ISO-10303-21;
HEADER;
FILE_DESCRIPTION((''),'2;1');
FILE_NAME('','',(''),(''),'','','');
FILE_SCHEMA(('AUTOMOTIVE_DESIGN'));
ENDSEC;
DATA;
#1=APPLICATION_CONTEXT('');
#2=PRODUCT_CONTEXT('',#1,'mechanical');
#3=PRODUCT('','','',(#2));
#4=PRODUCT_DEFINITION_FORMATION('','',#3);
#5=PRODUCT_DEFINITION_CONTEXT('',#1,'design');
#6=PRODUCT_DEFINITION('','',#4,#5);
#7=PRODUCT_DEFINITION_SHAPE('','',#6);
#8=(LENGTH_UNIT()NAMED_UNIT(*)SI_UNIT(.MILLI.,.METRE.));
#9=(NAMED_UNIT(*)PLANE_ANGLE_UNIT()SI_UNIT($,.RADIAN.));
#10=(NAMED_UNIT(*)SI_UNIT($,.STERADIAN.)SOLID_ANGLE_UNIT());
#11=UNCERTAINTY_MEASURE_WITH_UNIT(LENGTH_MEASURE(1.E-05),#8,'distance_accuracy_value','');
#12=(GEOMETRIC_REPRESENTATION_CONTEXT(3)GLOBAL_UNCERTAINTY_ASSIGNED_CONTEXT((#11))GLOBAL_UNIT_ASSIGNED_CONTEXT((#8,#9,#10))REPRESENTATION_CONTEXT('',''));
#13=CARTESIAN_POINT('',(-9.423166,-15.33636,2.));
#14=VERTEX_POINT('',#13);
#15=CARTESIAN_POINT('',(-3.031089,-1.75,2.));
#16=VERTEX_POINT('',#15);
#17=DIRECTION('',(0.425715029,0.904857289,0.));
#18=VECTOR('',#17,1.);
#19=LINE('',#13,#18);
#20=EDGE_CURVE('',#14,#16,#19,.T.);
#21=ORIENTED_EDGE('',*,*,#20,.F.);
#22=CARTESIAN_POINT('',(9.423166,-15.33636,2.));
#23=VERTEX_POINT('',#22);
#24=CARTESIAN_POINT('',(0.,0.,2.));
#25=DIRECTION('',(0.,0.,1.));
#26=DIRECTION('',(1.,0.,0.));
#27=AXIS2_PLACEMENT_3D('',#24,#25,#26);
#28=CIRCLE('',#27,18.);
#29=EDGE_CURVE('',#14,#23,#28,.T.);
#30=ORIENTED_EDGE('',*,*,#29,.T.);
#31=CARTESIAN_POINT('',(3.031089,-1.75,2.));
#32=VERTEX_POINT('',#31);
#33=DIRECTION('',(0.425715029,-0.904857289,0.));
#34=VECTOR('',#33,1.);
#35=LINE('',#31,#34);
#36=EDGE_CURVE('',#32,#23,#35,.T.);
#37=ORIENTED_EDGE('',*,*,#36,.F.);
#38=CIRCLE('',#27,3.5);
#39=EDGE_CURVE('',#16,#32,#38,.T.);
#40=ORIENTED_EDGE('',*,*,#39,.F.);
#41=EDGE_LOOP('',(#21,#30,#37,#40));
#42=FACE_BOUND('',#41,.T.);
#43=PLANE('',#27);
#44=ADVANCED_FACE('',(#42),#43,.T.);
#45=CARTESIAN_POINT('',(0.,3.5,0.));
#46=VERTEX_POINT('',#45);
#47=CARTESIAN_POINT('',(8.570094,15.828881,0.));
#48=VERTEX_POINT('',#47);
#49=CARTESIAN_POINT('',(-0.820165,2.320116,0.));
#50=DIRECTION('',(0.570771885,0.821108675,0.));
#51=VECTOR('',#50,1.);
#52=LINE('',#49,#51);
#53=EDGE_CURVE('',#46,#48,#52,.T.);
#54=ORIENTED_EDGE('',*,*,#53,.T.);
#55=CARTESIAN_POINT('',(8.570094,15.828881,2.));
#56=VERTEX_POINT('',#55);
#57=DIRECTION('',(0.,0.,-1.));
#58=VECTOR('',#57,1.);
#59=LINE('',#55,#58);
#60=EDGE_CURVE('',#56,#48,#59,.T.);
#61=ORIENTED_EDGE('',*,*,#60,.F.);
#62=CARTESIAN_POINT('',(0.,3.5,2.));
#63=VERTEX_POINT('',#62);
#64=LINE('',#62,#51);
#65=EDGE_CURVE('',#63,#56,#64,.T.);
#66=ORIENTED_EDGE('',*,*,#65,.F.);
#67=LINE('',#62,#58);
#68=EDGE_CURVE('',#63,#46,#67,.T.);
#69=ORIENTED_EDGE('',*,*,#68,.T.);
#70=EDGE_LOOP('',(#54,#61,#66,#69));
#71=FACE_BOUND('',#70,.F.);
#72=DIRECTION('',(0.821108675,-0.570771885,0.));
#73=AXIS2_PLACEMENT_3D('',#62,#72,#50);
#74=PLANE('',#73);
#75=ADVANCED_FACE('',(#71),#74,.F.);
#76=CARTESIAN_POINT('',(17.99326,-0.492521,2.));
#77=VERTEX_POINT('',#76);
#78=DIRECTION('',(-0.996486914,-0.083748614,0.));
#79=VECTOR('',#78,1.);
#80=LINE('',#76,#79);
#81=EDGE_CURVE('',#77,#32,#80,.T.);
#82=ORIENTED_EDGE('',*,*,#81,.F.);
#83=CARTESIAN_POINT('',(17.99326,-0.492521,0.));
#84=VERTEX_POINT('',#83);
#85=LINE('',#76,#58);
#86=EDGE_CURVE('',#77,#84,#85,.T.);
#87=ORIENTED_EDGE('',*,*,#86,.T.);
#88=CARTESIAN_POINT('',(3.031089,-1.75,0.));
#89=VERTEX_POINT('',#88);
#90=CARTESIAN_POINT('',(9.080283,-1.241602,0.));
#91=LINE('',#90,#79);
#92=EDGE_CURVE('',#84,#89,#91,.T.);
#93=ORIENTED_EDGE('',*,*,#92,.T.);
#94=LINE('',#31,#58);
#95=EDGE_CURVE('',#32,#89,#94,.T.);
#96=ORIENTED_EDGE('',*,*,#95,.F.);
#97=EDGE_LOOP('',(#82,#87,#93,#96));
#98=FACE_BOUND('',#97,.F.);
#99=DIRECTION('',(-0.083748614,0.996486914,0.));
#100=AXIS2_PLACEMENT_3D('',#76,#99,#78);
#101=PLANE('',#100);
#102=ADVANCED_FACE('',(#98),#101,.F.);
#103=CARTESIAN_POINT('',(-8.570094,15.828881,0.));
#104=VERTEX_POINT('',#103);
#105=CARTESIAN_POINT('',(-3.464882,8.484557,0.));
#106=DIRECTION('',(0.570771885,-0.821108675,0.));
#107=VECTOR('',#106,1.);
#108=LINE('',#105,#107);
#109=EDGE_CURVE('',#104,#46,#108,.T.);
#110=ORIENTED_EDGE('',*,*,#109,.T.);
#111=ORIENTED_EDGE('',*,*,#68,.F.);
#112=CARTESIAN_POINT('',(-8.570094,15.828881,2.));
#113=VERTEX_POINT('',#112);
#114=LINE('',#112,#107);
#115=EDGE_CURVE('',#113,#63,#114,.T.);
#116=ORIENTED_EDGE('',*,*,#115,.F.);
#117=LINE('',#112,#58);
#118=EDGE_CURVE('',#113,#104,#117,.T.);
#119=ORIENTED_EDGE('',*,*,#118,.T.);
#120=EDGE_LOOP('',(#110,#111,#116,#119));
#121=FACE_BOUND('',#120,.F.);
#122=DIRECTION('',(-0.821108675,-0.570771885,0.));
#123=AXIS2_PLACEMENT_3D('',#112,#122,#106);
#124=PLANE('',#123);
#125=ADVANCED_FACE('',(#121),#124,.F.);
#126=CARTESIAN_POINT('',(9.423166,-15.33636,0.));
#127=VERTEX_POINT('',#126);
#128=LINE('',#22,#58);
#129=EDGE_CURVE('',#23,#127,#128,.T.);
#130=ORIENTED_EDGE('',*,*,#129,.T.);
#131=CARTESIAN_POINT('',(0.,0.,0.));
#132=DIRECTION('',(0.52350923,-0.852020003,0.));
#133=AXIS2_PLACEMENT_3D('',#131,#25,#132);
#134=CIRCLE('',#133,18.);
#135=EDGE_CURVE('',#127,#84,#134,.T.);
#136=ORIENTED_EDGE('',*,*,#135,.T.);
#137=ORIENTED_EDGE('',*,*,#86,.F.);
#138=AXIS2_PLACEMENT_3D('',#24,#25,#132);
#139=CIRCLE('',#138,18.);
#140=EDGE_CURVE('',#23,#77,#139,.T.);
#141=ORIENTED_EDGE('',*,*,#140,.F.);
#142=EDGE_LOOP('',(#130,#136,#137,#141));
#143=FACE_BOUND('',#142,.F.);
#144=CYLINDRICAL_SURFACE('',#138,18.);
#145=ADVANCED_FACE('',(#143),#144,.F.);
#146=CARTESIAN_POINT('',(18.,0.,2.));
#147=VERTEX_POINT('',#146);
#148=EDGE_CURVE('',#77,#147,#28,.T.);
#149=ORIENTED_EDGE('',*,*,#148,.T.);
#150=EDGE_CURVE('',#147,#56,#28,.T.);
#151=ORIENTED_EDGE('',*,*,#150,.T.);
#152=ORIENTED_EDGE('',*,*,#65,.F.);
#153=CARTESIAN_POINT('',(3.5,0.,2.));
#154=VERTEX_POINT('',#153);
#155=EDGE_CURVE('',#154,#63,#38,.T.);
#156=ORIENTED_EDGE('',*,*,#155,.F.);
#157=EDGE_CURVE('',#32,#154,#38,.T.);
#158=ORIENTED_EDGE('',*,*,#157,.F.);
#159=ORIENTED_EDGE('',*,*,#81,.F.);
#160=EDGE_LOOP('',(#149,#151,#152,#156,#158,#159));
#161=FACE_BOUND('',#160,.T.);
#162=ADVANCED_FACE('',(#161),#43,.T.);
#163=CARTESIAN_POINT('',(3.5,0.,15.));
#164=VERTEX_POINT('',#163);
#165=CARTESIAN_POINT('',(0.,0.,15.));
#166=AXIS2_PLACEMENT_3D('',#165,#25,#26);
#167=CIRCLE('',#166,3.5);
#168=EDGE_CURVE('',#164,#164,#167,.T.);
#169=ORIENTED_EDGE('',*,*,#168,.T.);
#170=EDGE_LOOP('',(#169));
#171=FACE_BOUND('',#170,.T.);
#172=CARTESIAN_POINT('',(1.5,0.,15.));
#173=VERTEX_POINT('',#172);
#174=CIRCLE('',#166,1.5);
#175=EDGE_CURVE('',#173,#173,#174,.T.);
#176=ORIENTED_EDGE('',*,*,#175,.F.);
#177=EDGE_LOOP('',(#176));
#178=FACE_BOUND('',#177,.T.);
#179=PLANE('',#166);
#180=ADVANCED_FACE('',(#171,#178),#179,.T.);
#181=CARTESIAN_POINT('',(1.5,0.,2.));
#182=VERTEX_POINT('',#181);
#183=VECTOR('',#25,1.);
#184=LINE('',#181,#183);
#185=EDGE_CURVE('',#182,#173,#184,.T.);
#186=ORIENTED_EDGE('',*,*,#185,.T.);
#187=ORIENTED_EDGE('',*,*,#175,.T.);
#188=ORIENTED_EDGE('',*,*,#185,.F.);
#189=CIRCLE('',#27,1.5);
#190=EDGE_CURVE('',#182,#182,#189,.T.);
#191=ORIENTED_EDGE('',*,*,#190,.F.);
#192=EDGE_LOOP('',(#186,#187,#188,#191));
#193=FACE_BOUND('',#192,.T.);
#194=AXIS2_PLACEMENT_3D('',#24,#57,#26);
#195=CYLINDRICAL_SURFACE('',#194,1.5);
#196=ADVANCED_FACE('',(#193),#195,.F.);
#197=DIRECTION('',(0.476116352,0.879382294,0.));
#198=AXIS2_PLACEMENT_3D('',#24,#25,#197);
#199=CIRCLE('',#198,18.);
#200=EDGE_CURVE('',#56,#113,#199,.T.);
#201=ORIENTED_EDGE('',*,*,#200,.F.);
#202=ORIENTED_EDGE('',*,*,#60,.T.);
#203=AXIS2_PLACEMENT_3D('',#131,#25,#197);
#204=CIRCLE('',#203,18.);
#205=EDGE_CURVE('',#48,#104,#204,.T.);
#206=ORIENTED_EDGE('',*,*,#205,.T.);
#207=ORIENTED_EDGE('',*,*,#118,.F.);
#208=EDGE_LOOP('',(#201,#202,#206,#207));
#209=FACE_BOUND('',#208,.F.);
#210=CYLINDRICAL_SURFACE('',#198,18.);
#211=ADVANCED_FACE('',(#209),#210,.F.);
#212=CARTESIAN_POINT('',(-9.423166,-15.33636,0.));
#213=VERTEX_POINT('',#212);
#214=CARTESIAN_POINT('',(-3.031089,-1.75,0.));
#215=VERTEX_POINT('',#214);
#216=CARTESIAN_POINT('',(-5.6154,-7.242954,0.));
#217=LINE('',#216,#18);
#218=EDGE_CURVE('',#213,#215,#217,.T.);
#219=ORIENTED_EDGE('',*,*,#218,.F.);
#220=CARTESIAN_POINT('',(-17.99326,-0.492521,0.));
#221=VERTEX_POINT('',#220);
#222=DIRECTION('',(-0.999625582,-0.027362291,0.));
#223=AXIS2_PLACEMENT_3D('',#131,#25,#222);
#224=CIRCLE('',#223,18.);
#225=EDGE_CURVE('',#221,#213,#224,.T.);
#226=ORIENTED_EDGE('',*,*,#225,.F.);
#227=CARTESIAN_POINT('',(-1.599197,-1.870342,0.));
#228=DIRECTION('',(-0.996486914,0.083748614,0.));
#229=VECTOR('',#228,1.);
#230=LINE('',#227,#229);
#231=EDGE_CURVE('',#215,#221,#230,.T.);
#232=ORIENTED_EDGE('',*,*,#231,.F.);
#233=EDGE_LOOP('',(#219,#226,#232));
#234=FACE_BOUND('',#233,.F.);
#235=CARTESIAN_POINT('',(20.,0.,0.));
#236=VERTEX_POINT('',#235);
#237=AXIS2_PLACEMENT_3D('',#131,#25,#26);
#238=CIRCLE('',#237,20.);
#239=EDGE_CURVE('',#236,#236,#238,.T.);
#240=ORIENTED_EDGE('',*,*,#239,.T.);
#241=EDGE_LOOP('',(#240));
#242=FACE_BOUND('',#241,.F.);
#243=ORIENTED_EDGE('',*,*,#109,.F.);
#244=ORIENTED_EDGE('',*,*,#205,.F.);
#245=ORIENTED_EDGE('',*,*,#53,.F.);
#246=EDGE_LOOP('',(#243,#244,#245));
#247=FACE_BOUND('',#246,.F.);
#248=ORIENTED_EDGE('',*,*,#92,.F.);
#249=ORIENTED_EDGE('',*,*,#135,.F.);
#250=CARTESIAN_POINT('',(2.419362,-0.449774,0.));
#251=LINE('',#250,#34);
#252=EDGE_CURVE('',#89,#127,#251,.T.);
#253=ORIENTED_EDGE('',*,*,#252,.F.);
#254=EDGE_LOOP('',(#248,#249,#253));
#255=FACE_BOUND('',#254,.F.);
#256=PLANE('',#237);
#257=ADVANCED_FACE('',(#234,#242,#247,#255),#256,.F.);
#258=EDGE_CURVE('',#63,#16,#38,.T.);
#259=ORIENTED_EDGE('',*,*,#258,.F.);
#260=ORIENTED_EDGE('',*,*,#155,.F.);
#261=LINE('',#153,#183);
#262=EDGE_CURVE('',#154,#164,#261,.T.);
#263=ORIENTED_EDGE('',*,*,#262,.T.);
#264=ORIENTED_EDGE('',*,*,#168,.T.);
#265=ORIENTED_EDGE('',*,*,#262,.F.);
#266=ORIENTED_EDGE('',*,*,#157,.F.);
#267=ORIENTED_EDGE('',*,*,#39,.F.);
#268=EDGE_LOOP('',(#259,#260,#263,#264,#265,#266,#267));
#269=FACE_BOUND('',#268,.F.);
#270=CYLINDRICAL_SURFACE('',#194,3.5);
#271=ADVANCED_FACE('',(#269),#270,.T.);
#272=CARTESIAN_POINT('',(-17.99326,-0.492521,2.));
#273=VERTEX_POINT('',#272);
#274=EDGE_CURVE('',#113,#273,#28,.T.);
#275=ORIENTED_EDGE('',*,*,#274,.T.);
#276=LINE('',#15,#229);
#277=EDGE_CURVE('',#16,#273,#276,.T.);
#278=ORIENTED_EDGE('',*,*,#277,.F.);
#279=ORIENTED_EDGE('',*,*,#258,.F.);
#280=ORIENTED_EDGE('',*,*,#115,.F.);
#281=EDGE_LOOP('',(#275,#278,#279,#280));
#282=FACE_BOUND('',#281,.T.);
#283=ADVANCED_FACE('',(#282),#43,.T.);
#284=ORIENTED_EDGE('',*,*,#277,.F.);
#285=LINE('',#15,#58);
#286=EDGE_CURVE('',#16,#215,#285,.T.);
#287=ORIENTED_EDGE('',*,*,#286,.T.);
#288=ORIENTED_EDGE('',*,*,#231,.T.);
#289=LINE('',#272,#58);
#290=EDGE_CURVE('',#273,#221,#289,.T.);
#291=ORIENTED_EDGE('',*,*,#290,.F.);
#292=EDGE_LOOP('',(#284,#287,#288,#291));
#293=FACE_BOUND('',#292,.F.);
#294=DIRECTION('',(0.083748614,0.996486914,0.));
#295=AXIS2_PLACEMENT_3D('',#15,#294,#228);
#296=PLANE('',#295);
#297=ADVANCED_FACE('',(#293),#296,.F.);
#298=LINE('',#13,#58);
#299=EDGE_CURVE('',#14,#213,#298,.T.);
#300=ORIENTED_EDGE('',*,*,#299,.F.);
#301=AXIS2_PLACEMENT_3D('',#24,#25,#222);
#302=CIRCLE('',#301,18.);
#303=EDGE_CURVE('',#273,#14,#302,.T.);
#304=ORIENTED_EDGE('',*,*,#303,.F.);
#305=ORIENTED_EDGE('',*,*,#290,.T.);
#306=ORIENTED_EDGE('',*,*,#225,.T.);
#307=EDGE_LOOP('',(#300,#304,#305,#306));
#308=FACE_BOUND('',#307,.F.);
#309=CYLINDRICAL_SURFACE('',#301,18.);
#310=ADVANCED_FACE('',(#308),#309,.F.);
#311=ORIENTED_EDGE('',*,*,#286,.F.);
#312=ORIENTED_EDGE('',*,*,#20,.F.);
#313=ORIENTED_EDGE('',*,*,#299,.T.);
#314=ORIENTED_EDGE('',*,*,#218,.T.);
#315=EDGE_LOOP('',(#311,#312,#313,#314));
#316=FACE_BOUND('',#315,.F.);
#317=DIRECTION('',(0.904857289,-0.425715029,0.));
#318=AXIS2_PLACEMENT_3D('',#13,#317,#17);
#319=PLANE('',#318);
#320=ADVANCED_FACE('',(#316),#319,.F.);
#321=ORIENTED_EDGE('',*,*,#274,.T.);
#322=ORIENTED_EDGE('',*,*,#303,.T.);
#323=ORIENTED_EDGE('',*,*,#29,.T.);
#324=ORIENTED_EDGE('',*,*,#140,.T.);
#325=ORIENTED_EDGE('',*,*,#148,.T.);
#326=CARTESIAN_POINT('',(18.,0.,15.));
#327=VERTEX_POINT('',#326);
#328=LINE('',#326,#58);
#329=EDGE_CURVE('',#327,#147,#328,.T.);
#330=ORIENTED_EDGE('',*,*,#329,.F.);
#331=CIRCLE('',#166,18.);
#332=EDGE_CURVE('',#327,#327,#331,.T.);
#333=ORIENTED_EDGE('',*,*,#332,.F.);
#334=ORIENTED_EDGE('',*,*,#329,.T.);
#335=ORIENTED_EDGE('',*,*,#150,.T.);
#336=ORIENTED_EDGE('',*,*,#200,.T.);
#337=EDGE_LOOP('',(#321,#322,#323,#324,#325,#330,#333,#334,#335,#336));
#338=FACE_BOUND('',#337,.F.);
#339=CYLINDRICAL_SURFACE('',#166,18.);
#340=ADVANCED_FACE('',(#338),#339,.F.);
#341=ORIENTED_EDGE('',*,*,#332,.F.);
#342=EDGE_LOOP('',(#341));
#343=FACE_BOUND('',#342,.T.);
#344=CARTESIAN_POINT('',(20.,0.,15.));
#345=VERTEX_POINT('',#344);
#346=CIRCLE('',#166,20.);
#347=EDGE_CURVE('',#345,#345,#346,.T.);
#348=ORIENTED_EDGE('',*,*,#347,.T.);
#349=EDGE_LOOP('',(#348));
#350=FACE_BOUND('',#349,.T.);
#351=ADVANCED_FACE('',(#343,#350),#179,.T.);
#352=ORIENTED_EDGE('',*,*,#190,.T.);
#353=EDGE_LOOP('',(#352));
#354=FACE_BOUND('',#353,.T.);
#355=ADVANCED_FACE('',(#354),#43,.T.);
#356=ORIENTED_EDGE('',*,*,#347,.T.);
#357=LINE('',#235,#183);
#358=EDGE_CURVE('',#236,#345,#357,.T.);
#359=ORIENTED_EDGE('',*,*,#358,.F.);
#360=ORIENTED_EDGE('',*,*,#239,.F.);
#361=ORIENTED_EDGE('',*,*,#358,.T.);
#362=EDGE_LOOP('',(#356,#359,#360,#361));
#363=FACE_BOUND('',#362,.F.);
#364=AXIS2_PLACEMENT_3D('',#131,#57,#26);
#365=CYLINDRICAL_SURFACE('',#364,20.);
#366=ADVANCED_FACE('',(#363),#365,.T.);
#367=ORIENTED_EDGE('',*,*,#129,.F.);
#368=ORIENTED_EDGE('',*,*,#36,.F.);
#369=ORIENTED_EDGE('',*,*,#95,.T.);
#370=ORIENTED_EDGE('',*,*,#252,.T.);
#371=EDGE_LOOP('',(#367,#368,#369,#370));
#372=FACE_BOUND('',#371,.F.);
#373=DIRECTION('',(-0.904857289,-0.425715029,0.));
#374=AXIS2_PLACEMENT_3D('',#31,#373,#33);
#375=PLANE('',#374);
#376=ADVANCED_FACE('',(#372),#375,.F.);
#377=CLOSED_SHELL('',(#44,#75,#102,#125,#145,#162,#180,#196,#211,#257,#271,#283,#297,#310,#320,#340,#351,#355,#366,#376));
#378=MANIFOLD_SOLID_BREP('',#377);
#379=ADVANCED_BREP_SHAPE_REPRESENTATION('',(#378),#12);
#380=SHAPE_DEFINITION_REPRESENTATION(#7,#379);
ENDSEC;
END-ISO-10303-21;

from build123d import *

# Parameters (mm, degrees)
F0_R     = 20
F1_DEPTH = 15
F2_R     = 18
F3_DEPTH = 13
F4_R     = 3.5
F4_R_2   = 1.5
F5_DEPTH = 13
F7_DEPTH = 100


with BuildPart() as f1:
    # F0 (on Top) → F1 (new body)
    with BuildSketch(Plane.XY):
        Circle(F0_R)
    extrude(amount=F1_DEPTH)

    # F2 (on face) → F3 (cut)
    with BuildSketch(Plane.XY.offset(15)):
        Circle(F2_R)
    extrude(amount=-F3_DEPTH, mode=Mode.SUBTRACT)

    # F4 (on face) → F5 (join)
    with BuildSketch(Plane.XY.offset(2)):
        Circle(F4_R)
        Circle(F4_R_2, mode=Mode.SUBTRACT)
    extrude(amount=F5_DEPTH)

    # F6 (on face) → F7 (cut)
    with BuildSketch(Plane.XY.offset(2)):
        with BuildLine():
            Line((-9.4231661407, -15.3363600598), (-3.0310889132, -1.75))
            Line((-3.0310889132, -1.75), (-17.9932604837, -0.4925212321))
            ThreePointArc((-17.9932604837, -0.4925212321), (-15.5884572681, -9), (-9.4231661407, -15.3363600598))
        make_face()
        with BuildLine():
            Line((-8.570094343, 15.8288812919), (0, 3.5))
            Line((0, 3.5), (8.570094343, 15.8288812919))
            ThreePointArc((8.570094343, 15.8288812919), (0, 18), (-8.570094343, 15.8288812919))
        make_face()
        with BuildLine():
            Line((17.9932604837, -0.4925212321), (3.0310889132, -1.75))
            Line((3.0310889132, -1.75), (9.4231661407, -15.3363600598))
            ThreePointArc((9.4231661407, -15.3363600598), (15.5884572681, -9), (17.9932604837, -0.4925212321))
        make_face()
    extrude(amount=-F7_DEPTH, mode=Mode.SUBTRACT)


solid = f1.part
